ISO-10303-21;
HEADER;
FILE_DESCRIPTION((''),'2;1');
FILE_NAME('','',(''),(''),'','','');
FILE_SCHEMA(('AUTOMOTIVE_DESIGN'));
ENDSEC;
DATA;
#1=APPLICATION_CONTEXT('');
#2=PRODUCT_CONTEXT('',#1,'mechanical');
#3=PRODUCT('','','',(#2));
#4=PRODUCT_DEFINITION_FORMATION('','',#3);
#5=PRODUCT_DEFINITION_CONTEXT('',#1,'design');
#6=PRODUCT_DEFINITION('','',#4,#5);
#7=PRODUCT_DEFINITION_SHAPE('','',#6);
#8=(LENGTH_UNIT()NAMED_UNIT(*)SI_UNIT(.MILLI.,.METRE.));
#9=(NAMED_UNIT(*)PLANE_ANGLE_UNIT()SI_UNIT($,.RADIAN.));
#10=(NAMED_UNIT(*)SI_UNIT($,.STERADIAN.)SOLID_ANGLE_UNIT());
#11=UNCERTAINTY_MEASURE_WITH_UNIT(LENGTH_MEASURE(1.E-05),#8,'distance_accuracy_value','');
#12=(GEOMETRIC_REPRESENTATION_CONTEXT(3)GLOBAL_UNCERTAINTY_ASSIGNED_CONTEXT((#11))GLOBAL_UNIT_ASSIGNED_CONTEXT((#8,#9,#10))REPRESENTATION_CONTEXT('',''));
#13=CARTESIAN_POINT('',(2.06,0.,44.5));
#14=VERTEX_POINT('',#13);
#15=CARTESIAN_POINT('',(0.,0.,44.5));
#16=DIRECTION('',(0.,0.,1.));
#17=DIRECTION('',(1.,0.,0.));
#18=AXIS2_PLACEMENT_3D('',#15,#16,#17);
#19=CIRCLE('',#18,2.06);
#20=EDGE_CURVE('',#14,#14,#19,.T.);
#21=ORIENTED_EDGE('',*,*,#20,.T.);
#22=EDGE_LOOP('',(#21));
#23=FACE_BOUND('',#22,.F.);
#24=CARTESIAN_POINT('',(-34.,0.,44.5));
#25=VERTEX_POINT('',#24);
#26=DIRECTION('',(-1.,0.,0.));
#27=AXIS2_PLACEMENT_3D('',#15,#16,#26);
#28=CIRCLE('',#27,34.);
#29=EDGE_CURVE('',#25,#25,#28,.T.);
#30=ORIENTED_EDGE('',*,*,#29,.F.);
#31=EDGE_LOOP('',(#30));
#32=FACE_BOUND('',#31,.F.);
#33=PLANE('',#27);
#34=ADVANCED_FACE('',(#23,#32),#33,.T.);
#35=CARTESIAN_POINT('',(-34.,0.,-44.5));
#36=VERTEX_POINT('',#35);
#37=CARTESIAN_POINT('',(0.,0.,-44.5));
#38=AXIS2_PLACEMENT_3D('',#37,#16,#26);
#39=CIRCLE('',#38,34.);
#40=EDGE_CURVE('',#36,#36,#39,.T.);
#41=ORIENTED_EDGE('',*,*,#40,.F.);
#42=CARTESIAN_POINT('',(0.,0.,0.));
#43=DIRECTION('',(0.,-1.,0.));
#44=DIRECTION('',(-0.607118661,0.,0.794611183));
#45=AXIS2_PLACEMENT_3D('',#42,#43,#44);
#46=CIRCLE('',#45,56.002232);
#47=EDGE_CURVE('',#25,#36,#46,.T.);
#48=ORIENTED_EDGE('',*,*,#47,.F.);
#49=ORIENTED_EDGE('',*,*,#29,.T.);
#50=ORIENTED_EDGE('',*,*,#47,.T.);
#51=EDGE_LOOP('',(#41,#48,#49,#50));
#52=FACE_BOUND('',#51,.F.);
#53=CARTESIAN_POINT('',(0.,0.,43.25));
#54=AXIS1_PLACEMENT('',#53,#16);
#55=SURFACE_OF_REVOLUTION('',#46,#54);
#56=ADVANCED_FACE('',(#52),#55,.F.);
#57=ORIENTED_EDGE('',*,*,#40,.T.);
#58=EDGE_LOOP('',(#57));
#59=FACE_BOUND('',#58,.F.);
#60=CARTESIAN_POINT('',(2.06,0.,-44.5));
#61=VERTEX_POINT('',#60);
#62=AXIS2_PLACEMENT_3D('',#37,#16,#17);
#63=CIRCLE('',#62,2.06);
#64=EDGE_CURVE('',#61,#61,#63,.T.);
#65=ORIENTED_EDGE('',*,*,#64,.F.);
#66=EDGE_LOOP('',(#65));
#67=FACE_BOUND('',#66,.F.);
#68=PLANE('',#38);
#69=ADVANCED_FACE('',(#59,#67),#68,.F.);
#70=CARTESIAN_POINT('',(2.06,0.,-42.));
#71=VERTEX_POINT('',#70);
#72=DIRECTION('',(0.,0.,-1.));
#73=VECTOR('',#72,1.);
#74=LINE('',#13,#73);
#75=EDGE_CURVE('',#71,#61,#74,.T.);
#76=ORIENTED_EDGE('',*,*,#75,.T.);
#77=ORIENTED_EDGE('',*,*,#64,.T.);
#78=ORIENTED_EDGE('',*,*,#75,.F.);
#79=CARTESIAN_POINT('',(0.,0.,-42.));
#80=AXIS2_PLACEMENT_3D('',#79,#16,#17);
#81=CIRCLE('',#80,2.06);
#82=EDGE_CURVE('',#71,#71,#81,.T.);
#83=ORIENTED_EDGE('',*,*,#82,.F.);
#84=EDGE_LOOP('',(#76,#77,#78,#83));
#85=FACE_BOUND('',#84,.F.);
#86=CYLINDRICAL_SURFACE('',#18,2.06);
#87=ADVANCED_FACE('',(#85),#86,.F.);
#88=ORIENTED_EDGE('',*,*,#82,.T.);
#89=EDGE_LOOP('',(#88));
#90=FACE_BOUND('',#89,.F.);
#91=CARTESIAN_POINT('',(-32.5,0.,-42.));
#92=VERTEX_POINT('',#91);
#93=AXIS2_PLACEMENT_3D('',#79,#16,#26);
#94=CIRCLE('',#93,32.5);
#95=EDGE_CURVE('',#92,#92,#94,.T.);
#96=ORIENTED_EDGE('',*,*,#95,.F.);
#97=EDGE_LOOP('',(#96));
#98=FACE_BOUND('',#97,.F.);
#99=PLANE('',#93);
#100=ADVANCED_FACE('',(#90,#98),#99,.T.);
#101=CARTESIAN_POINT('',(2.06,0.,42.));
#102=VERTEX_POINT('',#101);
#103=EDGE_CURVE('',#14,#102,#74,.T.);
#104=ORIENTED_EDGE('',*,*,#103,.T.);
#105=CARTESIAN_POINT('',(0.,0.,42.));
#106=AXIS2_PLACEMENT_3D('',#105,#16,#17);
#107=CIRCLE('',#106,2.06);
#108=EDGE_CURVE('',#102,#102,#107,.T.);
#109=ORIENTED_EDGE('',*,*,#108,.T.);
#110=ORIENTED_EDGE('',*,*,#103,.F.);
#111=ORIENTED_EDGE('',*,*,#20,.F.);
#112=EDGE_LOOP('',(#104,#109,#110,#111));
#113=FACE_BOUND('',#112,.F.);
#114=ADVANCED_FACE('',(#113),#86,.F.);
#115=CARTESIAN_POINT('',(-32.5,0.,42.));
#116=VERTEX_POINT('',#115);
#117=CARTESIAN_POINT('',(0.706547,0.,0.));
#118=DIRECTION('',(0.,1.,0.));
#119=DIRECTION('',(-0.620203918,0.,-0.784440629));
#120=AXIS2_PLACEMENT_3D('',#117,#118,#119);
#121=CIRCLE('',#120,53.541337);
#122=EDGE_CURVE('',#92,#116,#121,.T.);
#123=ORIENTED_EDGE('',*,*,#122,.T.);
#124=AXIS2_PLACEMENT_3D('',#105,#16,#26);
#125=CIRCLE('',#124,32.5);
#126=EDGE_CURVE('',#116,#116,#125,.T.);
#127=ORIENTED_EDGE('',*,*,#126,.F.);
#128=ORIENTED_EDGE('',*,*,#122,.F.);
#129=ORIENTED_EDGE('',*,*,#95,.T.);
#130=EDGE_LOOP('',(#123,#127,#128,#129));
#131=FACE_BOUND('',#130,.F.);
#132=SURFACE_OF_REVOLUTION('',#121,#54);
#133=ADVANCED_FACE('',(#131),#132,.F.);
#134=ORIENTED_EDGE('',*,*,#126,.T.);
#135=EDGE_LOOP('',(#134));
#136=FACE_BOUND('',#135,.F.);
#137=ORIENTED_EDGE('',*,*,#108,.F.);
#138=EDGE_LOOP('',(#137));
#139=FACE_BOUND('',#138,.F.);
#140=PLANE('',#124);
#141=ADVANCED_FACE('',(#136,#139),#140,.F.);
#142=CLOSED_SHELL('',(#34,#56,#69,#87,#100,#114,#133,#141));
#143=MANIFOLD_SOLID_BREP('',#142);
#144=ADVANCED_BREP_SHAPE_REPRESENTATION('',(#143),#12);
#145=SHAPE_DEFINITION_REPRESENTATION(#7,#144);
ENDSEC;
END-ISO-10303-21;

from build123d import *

# Parameters (mm, degrees)
F2_R     = 2.06
F3_DEPTH = 89.001


with BuildPart() as f1:
    # F0 (on Front) → F1 (revolve)
    with BuildSketch(Plane.XZ):
        with BuildLine():
            Line((-32.5, 42), (0, 42))
            Line((0, 42), (0, 44.5))
            Line((0, 44.5), (-34, 44.5))
            ThreePointArc((-34, 44.5), (-56.002232, 0), (-34, -44.5))
            Line((-34, -44.5), (0, -44.5))
            Line((0, -44.5), (0, -42))
            Line((0, -42), (-32.5, -42))
            ThreePointArc((-32.5, -42), (-52.83479, 0), (-32.5, 42))
        make_face()
    revolve(axis=Axis((0, 0, 43.25), (0, 0, 1)))

    # F2 (on face) → F3 (cut, through all)
    with BuildSketch(Plane.XY.offset(44.5)):
        Circle(F2_R)
    extrude(amount=-F3_DEPTH, mode=Mode.SUBTRACT)


solid = f1.part
